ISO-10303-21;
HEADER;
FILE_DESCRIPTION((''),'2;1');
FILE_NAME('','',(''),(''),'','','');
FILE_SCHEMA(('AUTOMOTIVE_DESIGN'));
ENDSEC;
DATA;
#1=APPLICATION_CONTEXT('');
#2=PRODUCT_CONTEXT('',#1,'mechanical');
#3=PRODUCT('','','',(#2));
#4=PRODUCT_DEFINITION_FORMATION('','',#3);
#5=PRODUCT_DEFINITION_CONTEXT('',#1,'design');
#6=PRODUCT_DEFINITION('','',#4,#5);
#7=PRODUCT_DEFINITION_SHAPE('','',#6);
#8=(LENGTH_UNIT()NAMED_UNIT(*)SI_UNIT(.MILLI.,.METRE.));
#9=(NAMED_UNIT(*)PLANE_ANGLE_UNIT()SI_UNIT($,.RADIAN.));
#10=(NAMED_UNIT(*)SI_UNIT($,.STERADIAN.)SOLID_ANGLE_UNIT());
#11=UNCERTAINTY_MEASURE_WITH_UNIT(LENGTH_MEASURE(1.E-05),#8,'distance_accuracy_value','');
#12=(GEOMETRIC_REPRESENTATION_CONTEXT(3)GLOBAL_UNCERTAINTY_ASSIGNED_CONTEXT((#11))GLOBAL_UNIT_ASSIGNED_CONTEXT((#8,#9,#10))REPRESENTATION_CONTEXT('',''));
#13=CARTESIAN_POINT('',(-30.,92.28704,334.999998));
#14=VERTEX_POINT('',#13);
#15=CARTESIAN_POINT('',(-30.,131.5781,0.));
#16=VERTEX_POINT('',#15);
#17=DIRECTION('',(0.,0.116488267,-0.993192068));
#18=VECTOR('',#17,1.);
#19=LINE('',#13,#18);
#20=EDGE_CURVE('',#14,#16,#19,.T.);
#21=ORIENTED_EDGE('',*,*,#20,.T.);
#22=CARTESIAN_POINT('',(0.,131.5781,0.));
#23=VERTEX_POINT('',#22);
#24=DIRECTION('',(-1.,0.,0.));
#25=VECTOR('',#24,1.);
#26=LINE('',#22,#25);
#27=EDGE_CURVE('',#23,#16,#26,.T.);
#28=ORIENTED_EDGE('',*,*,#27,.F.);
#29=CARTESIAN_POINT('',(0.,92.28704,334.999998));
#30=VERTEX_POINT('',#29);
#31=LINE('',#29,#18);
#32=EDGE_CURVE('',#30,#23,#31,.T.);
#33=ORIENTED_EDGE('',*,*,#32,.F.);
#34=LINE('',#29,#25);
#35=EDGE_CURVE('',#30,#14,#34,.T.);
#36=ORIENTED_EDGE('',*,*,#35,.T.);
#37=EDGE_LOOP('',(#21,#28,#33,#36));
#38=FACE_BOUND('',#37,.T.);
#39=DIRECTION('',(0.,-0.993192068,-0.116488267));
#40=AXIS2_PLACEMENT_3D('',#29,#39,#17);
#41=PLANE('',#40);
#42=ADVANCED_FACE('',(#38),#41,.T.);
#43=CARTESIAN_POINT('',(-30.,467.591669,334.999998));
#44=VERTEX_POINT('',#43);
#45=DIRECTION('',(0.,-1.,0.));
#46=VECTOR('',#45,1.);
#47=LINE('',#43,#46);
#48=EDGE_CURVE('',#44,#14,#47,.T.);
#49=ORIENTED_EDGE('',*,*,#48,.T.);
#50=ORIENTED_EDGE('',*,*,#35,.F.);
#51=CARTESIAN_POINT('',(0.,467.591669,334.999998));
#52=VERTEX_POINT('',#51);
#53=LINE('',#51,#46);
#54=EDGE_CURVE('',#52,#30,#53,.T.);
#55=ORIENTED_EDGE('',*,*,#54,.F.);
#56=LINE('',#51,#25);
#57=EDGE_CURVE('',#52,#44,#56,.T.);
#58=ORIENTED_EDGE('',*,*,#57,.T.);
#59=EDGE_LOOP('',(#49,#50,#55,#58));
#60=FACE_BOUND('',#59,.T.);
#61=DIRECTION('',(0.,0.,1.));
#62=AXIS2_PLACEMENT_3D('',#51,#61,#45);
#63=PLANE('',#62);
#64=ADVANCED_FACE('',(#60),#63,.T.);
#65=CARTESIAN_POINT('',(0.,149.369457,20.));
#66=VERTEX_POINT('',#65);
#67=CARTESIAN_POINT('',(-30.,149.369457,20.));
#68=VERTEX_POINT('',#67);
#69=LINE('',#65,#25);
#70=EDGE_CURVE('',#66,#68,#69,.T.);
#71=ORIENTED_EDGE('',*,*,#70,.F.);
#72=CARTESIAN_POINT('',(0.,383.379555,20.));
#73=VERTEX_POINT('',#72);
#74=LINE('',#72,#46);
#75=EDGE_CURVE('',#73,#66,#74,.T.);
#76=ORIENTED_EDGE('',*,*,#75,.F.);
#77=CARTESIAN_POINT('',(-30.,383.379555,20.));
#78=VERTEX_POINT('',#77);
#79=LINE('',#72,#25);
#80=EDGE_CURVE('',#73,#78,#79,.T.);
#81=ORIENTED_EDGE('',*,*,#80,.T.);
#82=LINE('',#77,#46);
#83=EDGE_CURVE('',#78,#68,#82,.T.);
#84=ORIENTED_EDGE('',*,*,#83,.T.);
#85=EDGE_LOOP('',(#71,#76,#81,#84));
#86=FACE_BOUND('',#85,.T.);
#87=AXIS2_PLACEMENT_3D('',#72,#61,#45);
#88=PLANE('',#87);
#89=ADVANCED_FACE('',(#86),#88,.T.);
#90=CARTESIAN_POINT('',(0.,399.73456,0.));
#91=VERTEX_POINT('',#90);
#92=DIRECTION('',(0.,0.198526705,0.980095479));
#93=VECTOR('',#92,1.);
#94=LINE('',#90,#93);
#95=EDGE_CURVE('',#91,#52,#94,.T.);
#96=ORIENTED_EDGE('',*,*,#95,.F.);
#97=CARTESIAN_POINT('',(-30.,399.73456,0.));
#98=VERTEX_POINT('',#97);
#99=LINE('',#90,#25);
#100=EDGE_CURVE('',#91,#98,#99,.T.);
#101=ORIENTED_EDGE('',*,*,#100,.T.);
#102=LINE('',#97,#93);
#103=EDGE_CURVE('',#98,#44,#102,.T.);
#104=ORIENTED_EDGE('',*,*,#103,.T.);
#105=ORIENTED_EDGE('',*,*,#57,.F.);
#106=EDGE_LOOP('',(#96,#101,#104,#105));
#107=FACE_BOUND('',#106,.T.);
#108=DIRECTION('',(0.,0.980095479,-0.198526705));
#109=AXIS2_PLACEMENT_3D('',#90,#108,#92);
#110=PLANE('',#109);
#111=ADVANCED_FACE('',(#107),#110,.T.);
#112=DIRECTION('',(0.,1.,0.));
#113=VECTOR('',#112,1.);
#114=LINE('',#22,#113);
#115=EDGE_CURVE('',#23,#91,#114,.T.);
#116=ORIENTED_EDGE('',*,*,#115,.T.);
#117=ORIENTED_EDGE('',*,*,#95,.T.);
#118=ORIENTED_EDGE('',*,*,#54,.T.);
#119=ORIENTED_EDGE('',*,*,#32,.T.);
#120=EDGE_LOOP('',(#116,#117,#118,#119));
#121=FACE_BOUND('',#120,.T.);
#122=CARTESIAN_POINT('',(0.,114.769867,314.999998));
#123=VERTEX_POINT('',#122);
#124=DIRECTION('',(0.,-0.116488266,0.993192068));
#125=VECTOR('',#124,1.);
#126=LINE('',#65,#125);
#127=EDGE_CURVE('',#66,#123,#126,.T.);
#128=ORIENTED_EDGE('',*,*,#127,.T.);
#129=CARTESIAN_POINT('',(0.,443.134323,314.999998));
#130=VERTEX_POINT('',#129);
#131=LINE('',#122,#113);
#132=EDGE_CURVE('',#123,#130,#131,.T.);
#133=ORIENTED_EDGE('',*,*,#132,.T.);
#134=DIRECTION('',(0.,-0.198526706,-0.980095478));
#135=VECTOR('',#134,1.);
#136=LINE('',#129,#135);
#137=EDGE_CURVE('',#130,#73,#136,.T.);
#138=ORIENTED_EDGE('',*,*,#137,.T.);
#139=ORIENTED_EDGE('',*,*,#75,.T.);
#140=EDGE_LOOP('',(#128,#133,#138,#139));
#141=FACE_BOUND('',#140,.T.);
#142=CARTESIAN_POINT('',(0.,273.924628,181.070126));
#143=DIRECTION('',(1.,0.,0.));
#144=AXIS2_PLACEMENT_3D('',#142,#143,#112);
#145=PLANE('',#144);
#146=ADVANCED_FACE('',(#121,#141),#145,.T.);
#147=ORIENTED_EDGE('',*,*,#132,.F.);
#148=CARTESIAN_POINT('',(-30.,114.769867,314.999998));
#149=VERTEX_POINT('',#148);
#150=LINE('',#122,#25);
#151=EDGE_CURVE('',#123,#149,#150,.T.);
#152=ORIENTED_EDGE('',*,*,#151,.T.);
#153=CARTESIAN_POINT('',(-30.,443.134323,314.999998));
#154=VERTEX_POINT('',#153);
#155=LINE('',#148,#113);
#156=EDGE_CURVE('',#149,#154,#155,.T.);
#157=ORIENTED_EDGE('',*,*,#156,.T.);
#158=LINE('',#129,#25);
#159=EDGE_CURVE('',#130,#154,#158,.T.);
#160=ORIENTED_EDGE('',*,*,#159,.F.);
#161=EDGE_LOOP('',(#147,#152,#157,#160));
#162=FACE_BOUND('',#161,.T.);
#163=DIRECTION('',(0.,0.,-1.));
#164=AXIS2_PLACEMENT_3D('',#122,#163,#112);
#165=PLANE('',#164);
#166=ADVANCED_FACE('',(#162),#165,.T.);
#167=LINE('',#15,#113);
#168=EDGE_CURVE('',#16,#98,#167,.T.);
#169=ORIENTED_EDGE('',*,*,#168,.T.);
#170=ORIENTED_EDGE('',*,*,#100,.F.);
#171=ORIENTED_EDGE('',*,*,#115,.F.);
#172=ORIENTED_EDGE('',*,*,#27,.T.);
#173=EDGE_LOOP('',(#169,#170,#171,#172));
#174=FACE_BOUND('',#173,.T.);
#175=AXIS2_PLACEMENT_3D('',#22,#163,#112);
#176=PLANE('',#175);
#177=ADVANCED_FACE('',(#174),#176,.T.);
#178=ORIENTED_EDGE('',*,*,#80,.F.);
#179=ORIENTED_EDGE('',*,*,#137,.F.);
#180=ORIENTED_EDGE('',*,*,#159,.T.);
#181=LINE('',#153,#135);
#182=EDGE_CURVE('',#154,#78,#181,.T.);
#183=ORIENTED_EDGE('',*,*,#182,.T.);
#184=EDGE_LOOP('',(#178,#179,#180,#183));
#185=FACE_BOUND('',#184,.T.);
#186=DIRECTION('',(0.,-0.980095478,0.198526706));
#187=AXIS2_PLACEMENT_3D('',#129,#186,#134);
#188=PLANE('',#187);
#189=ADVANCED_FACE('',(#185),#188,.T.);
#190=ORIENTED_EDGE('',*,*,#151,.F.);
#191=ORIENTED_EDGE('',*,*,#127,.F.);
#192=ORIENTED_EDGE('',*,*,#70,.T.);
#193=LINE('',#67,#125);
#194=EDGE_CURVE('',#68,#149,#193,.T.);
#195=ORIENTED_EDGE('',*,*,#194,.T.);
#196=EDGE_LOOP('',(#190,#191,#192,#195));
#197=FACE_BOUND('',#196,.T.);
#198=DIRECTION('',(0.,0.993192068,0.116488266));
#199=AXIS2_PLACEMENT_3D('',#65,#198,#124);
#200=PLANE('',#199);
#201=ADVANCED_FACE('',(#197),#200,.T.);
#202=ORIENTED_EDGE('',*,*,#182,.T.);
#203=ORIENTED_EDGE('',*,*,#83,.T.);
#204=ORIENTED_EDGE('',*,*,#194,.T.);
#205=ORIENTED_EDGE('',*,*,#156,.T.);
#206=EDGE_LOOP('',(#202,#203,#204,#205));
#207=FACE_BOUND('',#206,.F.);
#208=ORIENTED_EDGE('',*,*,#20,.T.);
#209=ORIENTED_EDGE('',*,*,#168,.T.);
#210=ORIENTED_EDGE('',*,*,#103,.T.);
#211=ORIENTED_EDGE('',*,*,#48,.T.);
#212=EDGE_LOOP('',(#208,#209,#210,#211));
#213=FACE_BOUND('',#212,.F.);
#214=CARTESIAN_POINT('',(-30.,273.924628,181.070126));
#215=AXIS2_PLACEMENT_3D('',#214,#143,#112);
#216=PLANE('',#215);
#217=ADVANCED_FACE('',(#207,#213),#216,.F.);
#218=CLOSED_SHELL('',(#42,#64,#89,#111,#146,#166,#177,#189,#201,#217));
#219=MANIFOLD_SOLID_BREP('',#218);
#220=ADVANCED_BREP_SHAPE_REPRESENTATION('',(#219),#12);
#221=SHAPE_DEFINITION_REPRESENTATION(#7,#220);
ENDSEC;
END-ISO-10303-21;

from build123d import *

# Parameters (mm, degrees)
F1_DEPTH = 30


with BuildPart() as f1:
    # F0 (on Right) → F1 (new body)
    with BuildSketch(Plane.YZ):
        Polygon((399.73456, 0), (467.591669, 334.999998), (92.28704, 334.999998), (131.5781, 0), align=None)
        Polygon((114.769867, 314.999998), (443.134323, 314.999998), (383.379555, 20), (149.369457, 20), align=None, mode=Mode.SUBTRACT)
    extrude(amount=-F1_DEPTH)


solid = f1.part
